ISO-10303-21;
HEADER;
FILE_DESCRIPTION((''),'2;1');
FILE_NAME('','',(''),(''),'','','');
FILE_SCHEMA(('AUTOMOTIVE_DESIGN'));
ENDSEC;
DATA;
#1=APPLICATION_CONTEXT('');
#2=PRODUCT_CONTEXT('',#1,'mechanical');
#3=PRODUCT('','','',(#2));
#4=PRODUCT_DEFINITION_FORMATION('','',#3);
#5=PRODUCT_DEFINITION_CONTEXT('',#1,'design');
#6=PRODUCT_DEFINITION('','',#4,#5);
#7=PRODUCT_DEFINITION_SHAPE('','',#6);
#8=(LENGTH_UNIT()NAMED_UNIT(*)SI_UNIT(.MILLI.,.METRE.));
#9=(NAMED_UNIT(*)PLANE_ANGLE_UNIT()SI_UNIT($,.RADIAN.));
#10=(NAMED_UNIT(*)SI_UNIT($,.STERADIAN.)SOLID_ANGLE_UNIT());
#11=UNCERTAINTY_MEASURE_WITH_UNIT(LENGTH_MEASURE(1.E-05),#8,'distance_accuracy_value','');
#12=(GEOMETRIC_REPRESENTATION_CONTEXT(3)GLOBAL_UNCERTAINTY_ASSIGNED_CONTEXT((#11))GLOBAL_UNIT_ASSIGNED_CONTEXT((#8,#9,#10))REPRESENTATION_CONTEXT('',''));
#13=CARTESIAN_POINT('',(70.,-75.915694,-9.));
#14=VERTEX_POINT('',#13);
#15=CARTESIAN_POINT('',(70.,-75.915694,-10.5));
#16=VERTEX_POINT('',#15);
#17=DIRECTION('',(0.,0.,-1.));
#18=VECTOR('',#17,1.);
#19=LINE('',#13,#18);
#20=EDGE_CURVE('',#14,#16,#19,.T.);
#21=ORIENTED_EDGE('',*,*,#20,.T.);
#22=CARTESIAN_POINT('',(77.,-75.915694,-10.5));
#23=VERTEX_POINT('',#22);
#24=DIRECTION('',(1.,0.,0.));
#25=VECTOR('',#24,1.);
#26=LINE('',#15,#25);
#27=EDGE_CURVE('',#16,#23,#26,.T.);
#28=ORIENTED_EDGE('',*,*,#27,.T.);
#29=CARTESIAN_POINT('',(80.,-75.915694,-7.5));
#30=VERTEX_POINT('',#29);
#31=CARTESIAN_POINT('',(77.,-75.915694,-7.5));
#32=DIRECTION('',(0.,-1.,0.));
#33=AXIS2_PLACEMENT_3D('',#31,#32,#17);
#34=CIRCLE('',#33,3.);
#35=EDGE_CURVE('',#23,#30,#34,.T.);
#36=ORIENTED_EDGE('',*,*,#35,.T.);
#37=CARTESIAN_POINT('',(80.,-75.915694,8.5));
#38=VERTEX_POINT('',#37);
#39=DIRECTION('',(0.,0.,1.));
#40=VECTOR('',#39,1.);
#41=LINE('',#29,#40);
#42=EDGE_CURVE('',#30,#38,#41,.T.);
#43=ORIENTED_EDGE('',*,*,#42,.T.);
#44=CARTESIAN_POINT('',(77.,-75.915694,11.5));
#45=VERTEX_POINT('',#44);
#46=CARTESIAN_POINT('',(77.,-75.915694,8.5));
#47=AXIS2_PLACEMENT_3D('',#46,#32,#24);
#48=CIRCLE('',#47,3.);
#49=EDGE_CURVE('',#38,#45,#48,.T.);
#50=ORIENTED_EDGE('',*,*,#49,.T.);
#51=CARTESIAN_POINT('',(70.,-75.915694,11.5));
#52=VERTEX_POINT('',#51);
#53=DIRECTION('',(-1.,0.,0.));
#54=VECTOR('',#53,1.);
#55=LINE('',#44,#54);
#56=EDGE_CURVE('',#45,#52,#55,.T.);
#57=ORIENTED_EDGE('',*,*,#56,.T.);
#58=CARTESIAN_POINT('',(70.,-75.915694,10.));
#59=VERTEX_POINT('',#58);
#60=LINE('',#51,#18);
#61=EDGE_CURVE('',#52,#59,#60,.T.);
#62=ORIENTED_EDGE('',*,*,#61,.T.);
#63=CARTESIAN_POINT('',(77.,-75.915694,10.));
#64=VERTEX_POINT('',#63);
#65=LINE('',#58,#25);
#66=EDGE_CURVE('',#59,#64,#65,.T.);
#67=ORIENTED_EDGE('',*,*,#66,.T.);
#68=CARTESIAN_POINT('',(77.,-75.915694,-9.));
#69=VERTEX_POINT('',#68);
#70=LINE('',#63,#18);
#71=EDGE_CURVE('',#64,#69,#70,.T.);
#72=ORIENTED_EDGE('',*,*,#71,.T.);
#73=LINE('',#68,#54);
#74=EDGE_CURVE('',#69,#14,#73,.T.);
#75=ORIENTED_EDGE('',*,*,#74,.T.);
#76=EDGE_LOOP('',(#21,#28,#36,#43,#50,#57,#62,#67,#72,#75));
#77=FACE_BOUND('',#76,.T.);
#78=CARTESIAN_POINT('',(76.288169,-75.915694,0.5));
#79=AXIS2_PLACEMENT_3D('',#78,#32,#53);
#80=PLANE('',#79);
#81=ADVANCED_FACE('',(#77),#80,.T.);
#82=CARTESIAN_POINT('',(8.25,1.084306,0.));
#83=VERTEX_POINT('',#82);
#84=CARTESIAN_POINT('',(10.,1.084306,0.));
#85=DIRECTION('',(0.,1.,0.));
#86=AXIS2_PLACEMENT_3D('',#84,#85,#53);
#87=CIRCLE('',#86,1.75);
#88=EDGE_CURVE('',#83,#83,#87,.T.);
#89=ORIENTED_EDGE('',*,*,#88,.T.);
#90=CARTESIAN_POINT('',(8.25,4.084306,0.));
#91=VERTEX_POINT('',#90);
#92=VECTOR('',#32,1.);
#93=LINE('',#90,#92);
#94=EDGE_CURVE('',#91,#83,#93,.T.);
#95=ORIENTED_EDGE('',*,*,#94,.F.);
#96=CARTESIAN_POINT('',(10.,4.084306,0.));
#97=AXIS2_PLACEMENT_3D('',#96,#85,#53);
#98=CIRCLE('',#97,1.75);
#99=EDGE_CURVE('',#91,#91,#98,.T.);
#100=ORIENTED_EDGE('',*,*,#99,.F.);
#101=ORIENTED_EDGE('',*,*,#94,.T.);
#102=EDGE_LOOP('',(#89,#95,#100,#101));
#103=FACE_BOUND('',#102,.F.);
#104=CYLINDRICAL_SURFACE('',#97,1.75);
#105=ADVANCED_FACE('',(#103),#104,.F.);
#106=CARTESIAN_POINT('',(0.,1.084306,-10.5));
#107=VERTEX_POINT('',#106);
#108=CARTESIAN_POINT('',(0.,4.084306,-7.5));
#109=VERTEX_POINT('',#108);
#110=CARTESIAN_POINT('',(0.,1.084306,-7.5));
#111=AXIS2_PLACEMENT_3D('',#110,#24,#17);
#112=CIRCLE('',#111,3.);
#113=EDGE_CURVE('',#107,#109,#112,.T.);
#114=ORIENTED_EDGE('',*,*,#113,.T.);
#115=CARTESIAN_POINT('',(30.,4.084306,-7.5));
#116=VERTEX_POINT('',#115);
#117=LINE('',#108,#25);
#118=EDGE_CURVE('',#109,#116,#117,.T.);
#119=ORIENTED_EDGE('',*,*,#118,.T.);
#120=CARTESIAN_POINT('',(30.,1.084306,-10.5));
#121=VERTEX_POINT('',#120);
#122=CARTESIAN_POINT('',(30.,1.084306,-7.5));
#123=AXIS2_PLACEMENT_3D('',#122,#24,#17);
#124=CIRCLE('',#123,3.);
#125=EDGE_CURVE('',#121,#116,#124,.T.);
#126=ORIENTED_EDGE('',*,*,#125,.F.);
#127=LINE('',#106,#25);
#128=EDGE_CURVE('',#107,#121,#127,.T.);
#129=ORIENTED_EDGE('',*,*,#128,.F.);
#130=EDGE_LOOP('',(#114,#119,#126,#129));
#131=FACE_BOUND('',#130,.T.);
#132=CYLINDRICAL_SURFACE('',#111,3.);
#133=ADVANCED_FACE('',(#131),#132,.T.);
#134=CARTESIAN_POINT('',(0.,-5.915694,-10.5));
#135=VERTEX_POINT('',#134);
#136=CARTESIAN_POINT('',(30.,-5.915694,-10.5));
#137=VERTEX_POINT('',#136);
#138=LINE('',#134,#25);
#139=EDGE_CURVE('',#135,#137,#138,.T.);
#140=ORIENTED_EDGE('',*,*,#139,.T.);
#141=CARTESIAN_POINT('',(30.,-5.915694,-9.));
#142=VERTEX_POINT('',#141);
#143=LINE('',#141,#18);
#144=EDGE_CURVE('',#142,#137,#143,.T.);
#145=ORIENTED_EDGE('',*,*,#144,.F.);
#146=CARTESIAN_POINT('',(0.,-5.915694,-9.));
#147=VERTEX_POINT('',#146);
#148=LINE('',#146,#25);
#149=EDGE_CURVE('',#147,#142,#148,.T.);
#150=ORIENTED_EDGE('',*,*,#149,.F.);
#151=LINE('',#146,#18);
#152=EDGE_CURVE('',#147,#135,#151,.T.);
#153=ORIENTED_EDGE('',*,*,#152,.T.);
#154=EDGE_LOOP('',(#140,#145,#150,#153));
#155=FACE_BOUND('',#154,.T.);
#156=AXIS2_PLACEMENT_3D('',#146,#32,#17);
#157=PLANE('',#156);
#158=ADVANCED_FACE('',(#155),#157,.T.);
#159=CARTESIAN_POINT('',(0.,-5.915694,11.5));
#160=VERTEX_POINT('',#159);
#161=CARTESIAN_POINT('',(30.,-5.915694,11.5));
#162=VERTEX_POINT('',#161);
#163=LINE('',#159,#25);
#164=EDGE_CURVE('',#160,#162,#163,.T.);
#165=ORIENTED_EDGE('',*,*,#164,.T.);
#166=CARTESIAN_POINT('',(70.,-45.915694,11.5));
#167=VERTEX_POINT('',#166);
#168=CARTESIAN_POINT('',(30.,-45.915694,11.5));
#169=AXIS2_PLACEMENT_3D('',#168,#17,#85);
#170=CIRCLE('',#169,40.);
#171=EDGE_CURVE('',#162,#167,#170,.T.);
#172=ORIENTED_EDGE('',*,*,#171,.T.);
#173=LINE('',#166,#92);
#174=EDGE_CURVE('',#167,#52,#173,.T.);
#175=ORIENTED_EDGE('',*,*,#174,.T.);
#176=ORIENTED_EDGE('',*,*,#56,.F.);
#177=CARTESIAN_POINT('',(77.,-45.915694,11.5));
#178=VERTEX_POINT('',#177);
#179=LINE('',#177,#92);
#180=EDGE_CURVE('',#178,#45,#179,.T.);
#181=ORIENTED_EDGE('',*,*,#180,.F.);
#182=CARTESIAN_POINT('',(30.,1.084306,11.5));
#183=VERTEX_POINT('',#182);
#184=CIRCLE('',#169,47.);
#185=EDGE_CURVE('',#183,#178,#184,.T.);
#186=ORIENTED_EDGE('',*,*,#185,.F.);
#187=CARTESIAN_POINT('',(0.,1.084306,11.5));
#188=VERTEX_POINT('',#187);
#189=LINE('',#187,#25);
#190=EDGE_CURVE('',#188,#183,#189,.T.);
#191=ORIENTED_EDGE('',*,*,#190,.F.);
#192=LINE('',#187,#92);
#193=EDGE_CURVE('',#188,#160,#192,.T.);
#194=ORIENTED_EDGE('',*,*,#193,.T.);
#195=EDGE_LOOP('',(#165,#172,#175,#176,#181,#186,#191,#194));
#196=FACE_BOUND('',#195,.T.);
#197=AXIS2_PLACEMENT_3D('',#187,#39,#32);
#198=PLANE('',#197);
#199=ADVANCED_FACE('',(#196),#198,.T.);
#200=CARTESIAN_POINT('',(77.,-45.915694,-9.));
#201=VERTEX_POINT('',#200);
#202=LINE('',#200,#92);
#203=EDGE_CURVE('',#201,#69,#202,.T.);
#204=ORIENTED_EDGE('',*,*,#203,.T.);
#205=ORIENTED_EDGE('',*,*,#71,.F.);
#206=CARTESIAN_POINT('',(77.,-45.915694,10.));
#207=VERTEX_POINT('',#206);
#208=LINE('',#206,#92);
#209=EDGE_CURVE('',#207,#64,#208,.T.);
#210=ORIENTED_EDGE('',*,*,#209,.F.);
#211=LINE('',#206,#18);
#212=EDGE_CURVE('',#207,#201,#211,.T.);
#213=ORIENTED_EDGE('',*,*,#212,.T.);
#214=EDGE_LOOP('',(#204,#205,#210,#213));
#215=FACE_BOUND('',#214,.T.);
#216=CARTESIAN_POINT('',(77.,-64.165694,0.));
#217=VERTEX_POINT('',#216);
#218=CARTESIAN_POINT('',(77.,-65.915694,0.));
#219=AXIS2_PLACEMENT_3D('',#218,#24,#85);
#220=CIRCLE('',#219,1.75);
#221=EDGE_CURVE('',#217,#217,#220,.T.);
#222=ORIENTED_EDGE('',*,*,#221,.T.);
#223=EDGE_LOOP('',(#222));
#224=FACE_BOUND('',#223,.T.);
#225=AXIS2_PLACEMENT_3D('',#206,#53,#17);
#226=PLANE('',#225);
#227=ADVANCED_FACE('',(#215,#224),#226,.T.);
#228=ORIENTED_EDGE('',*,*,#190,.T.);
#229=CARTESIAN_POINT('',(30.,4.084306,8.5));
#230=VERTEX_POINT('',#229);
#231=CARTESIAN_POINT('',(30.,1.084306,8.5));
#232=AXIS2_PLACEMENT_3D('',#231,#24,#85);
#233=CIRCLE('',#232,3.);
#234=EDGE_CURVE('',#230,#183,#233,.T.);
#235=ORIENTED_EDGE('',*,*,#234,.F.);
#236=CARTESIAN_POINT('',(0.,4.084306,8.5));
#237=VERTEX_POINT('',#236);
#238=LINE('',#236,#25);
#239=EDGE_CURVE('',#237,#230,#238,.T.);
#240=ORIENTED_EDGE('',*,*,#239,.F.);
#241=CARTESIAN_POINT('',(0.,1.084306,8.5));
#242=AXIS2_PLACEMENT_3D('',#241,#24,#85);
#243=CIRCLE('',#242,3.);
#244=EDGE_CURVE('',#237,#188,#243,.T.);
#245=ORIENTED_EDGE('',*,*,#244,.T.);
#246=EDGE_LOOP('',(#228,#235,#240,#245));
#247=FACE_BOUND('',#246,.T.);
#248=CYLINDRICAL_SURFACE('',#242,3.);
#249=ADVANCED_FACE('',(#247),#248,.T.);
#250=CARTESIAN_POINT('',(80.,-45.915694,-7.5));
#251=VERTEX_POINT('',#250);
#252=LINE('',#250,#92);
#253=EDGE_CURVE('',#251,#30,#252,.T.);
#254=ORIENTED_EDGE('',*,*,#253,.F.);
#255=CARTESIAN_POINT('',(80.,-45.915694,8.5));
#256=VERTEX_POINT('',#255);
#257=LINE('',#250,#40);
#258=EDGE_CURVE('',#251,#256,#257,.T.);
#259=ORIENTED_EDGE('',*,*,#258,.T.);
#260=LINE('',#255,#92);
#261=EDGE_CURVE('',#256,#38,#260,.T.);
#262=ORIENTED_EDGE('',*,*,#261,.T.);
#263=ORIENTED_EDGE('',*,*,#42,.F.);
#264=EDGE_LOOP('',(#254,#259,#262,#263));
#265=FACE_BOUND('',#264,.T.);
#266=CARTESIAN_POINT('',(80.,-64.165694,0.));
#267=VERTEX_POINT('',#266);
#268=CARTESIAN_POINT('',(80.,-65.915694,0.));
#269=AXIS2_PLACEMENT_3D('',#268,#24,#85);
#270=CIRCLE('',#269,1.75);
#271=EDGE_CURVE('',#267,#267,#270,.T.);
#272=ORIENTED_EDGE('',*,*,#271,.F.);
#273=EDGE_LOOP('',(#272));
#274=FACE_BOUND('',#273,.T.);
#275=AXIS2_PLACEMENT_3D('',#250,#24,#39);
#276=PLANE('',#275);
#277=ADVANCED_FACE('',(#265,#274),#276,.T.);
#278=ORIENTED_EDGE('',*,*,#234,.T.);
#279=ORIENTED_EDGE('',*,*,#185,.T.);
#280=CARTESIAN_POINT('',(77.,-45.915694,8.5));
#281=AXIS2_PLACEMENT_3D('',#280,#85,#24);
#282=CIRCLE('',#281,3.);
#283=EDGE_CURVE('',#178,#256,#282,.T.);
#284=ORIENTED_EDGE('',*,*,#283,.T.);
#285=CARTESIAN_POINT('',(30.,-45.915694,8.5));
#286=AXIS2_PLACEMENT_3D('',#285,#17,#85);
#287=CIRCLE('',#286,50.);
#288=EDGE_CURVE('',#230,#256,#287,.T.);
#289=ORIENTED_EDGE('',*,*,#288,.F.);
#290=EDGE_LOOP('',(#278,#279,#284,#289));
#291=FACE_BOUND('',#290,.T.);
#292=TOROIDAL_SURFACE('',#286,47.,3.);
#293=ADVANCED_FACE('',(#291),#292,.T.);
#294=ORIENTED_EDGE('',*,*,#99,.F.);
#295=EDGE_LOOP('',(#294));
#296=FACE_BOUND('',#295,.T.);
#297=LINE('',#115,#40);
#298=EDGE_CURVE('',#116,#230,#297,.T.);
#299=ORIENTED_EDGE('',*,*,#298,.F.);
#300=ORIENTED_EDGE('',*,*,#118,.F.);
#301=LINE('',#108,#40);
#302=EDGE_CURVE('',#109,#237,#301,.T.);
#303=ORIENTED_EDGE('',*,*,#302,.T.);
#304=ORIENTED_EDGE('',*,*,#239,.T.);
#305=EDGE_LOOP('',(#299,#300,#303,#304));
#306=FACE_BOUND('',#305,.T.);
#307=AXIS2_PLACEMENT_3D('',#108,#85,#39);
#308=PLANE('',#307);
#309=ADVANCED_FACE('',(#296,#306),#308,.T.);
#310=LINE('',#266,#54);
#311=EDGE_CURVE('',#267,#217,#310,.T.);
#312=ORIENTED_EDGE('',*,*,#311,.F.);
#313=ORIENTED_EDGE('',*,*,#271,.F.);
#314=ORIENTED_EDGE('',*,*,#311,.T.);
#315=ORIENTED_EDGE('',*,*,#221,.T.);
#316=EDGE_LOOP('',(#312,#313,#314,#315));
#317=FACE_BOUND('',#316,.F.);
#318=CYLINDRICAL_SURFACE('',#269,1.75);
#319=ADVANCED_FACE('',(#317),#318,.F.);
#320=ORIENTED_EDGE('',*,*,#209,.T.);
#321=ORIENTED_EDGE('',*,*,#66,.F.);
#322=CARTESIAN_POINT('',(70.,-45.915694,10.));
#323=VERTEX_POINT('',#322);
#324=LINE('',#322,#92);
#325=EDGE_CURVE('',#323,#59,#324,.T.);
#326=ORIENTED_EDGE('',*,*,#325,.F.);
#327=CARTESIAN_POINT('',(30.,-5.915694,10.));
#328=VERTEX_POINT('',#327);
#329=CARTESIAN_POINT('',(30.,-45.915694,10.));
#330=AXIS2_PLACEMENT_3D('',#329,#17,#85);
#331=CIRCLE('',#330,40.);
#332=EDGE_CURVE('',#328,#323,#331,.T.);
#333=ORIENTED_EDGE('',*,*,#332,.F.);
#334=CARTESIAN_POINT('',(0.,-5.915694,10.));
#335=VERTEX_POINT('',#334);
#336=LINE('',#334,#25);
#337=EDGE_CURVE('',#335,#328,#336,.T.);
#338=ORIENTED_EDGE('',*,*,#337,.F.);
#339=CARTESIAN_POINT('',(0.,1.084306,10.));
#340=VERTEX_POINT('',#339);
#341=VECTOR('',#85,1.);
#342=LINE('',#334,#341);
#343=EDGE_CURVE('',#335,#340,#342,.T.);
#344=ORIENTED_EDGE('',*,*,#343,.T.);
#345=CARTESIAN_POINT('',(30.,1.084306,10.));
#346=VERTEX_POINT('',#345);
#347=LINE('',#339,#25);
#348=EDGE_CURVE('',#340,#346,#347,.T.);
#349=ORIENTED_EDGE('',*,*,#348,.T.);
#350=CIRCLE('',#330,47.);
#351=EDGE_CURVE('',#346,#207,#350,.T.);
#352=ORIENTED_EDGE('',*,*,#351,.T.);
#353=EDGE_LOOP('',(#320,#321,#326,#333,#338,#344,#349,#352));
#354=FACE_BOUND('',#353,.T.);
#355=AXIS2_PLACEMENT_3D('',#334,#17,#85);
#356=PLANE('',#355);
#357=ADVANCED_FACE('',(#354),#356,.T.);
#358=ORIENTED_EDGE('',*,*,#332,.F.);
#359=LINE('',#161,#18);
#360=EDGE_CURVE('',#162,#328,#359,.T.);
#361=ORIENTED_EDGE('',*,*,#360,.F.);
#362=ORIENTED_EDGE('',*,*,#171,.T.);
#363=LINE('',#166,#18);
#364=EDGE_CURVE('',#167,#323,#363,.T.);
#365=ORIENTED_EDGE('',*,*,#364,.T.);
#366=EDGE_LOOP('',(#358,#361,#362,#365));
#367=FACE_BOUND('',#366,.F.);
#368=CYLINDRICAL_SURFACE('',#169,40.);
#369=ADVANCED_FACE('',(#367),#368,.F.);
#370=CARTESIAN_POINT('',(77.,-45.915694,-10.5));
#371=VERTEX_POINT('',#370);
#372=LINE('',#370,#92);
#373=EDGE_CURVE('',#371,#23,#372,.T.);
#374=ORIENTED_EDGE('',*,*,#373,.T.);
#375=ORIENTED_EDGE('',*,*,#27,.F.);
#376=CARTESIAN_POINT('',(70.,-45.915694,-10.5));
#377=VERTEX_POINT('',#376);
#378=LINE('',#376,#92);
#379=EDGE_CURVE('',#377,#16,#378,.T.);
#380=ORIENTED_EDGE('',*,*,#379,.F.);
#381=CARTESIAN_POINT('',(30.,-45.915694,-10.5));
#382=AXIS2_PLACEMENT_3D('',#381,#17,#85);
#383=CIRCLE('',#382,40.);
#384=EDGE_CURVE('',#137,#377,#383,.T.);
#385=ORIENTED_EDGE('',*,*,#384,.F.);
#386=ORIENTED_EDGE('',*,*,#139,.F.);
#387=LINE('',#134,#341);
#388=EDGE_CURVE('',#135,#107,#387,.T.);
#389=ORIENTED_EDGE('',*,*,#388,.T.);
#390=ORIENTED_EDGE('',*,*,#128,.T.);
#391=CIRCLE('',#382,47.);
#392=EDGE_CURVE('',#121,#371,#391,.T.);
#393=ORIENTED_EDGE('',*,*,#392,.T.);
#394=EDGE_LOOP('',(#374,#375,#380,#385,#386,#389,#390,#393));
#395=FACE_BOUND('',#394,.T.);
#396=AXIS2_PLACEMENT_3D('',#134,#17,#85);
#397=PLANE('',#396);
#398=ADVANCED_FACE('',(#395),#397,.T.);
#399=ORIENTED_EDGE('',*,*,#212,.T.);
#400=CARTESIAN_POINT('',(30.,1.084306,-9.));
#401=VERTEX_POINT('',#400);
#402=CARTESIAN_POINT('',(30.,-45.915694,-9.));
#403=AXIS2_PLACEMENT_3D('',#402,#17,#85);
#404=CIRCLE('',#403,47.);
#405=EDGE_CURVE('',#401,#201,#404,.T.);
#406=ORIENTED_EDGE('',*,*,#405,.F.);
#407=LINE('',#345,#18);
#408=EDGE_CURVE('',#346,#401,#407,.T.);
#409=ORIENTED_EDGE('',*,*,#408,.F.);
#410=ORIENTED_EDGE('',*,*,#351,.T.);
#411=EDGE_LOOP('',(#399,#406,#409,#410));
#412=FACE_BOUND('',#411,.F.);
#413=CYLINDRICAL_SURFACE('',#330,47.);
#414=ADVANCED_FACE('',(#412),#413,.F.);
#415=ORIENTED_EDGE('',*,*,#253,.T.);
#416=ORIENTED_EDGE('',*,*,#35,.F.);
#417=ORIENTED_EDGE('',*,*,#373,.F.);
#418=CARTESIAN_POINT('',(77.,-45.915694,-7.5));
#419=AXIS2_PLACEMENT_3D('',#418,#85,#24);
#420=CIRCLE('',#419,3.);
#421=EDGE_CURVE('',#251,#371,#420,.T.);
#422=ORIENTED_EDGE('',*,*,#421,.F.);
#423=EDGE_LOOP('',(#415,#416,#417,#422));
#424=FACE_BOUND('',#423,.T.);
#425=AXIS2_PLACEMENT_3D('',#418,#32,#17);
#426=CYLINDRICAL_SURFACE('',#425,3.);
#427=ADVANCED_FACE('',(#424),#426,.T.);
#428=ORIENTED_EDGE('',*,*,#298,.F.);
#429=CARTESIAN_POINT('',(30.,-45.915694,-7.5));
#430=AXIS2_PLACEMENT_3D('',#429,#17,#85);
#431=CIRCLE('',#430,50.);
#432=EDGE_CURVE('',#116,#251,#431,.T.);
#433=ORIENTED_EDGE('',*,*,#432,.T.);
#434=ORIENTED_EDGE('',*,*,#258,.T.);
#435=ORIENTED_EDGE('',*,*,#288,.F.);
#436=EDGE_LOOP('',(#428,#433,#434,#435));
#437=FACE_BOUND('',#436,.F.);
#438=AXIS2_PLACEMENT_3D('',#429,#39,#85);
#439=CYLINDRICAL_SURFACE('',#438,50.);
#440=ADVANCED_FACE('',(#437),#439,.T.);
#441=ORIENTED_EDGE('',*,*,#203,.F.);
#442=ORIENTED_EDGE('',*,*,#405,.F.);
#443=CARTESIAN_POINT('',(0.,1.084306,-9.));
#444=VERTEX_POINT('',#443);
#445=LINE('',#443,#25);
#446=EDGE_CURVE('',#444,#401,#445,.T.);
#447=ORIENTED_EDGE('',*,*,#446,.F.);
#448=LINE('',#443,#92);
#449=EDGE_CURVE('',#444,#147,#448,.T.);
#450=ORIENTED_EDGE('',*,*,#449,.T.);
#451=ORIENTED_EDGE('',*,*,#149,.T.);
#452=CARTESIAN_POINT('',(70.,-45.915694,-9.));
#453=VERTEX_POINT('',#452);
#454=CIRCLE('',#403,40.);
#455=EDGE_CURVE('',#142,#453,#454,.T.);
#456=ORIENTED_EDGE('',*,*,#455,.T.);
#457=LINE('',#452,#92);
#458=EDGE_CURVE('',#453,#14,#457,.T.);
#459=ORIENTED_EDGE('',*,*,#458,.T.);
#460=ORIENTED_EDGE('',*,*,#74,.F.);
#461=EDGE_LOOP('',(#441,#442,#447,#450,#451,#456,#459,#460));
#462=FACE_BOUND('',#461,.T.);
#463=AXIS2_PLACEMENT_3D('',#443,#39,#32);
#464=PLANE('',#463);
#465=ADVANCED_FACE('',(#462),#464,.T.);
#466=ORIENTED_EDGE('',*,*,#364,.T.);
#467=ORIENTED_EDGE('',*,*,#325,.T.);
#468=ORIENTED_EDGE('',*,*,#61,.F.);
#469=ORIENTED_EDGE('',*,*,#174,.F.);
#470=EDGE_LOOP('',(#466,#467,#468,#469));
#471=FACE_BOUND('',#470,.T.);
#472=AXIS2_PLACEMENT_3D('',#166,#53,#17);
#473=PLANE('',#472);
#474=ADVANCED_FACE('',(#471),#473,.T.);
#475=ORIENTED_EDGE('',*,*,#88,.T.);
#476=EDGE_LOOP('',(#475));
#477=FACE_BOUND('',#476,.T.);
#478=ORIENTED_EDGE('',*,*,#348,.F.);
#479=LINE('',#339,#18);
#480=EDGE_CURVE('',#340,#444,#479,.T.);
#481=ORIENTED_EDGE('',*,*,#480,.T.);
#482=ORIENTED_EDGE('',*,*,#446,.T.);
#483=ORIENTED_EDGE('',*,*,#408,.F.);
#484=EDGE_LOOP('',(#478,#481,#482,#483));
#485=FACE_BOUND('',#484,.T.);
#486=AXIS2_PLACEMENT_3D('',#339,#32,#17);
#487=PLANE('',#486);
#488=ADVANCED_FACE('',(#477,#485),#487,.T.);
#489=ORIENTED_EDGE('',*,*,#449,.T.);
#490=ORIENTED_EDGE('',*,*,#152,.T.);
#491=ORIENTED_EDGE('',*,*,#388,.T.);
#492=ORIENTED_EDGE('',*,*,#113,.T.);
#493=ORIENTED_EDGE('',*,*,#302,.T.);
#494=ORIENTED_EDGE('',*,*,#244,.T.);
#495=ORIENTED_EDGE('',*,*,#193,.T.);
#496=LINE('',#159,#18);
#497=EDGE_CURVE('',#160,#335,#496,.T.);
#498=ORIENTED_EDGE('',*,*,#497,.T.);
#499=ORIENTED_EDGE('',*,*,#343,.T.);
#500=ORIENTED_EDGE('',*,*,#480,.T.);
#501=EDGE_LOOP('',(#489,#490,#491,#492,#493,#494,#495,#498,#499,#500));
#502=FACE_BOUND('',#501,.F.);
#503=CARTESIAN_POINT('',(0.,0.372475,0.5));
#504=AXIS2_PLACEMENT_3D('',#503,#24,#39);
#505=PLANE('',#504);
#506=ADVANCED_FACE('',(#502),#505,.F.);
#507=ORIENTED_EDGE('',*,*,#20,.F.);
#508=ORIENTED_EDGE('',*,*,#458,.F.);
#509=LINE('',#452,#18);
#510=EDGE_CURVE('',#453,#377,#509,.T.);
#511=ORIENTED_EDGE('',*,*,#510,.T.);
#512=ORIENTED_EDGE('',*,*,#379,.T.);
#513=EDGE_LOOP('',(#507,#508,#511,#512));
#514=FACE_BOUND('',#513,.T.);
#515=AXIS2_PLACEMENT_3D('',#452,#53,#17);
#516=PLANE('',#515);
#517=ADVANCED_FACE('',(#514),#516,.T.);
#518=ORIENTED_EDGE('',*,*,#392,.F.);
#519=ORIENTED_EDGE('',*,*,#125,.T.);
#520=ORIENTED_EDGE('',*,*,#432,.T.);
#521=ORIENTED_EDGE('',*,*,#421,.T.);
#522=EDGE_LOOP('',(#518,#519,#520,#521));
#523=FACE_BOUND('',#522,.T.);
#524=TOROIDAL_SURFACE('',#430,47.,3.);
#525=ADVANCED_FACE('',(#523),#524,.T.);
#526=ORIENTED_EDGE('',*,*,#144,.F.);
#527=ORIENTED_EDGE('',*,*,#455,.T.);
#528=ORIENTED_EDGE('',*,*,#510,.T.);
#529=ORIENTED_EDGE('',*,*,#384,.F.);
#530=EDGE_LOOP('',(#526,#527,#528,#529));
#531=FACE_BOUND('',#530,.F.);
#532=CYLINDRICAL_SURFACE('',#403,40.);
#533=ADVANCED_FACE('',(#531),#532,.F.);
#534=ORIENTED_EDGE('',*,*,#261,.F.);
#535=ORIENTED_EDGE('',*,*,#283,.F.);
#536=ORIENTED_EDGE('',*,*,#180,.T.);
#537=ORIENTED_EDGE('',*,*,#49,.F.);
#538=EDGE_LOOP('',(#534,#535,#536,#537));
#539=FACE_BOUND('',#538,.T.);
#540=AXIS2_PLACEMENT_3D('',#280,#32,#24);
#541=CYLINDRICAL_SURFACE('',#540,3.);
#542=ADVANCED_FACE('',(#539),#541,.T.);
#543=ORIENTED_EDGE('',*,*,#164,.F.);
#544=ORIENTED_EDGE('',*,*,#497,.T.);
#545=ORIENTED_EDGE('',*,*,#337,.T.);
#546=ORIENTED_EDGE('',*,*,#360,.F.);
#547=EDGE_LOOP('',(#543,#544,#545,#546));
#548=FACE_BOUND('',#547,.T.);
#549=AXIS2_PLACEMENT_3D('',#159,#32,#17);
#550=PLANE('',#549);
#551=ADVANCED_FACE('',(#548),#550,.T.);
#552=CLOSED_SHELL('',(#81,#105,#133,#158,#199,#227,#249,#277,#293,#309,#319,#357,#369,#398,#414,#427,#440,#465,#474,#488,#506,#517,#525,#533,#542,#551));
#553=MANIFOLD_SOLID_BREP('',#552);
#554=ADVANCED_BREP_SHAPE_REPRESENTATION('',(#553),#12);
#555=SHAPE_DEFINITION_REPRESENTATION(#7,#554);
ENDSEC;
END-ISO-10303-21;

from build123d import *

# Parameters (mm, degrees)
F3_R     = 1.75
F4_DEPTH = 3
F5_R     = 1.75
F6_DEPTH = 3


with BuildPart() as f2:
    # F2: sweep along a path in F1
    with BuildLine(Plane.XY) as f2_path:
        Line((0, -5.9156941882), (30, -5.9156941882))
        ThreePointArc((30, -5.9156941882), (58.2842712475, -17.6314229407), (70, -45.9156941882))
        Line((70, -45.9156941882), (70, -75.9156941882))
    # F0 (on Right) → F2 (sweep)
    with BuildSketch(Plane.YZ):
        with BuildLine():
            Line((-5.9156941882, 10), (1.0843058118, 10))
            Line((1.0843058118, 10), (1.0843058118, -9))
            Line((1.0843058118, -9), (-5.9156941882, -9))
            Line((-5.9156941882, -9), (-5.9156941882, -10.5))
            Line((-5.9156941882, -10.5), (1.0843058118, -10.5))
            ThreePointArc((1.0843058118, -10.5), (3.2056261554, -9.6213203436), (4.0843058118, -7.5))
            Line((4.0843058118, -7.5), (4.0843058118, 8.5))
            ThreePointArc((4.0843058118, 8.5), (3.2056261554, 10.6213203436), (1.0843058118, 11.5))
            Line((1.0843058118, 11.5), (-5.9156941882, 11.5))
            Line((-5.9156941882, 11.5), (-5.9156941882, 10))
        make_face()
    sweep(path=f2_path.line)

    # F3 (on face) → F4 (cut, through all)
    with BuildSketch(Plane.YZ.offset(80)):
        with Locations((-65.9156941882, 0)):
            Circle(F3_R)
    extrude(amount=-F4_DEPTH, mode=Mode.SUBTRACT)

    # F5 (on face) → F6 (cut, through all)
    with BuildSketch(Plane(origin=(0, 4.0843058118, 0), x_dir=(-1, 0, 0), z_dir=(0, 1, 0))):
        with Locations((-10, 0)):
            Circle(F5_R)
    extrude(amount=-F6_DEPTH, mode=Mode.SUBTRACT)


solid = f2.part
